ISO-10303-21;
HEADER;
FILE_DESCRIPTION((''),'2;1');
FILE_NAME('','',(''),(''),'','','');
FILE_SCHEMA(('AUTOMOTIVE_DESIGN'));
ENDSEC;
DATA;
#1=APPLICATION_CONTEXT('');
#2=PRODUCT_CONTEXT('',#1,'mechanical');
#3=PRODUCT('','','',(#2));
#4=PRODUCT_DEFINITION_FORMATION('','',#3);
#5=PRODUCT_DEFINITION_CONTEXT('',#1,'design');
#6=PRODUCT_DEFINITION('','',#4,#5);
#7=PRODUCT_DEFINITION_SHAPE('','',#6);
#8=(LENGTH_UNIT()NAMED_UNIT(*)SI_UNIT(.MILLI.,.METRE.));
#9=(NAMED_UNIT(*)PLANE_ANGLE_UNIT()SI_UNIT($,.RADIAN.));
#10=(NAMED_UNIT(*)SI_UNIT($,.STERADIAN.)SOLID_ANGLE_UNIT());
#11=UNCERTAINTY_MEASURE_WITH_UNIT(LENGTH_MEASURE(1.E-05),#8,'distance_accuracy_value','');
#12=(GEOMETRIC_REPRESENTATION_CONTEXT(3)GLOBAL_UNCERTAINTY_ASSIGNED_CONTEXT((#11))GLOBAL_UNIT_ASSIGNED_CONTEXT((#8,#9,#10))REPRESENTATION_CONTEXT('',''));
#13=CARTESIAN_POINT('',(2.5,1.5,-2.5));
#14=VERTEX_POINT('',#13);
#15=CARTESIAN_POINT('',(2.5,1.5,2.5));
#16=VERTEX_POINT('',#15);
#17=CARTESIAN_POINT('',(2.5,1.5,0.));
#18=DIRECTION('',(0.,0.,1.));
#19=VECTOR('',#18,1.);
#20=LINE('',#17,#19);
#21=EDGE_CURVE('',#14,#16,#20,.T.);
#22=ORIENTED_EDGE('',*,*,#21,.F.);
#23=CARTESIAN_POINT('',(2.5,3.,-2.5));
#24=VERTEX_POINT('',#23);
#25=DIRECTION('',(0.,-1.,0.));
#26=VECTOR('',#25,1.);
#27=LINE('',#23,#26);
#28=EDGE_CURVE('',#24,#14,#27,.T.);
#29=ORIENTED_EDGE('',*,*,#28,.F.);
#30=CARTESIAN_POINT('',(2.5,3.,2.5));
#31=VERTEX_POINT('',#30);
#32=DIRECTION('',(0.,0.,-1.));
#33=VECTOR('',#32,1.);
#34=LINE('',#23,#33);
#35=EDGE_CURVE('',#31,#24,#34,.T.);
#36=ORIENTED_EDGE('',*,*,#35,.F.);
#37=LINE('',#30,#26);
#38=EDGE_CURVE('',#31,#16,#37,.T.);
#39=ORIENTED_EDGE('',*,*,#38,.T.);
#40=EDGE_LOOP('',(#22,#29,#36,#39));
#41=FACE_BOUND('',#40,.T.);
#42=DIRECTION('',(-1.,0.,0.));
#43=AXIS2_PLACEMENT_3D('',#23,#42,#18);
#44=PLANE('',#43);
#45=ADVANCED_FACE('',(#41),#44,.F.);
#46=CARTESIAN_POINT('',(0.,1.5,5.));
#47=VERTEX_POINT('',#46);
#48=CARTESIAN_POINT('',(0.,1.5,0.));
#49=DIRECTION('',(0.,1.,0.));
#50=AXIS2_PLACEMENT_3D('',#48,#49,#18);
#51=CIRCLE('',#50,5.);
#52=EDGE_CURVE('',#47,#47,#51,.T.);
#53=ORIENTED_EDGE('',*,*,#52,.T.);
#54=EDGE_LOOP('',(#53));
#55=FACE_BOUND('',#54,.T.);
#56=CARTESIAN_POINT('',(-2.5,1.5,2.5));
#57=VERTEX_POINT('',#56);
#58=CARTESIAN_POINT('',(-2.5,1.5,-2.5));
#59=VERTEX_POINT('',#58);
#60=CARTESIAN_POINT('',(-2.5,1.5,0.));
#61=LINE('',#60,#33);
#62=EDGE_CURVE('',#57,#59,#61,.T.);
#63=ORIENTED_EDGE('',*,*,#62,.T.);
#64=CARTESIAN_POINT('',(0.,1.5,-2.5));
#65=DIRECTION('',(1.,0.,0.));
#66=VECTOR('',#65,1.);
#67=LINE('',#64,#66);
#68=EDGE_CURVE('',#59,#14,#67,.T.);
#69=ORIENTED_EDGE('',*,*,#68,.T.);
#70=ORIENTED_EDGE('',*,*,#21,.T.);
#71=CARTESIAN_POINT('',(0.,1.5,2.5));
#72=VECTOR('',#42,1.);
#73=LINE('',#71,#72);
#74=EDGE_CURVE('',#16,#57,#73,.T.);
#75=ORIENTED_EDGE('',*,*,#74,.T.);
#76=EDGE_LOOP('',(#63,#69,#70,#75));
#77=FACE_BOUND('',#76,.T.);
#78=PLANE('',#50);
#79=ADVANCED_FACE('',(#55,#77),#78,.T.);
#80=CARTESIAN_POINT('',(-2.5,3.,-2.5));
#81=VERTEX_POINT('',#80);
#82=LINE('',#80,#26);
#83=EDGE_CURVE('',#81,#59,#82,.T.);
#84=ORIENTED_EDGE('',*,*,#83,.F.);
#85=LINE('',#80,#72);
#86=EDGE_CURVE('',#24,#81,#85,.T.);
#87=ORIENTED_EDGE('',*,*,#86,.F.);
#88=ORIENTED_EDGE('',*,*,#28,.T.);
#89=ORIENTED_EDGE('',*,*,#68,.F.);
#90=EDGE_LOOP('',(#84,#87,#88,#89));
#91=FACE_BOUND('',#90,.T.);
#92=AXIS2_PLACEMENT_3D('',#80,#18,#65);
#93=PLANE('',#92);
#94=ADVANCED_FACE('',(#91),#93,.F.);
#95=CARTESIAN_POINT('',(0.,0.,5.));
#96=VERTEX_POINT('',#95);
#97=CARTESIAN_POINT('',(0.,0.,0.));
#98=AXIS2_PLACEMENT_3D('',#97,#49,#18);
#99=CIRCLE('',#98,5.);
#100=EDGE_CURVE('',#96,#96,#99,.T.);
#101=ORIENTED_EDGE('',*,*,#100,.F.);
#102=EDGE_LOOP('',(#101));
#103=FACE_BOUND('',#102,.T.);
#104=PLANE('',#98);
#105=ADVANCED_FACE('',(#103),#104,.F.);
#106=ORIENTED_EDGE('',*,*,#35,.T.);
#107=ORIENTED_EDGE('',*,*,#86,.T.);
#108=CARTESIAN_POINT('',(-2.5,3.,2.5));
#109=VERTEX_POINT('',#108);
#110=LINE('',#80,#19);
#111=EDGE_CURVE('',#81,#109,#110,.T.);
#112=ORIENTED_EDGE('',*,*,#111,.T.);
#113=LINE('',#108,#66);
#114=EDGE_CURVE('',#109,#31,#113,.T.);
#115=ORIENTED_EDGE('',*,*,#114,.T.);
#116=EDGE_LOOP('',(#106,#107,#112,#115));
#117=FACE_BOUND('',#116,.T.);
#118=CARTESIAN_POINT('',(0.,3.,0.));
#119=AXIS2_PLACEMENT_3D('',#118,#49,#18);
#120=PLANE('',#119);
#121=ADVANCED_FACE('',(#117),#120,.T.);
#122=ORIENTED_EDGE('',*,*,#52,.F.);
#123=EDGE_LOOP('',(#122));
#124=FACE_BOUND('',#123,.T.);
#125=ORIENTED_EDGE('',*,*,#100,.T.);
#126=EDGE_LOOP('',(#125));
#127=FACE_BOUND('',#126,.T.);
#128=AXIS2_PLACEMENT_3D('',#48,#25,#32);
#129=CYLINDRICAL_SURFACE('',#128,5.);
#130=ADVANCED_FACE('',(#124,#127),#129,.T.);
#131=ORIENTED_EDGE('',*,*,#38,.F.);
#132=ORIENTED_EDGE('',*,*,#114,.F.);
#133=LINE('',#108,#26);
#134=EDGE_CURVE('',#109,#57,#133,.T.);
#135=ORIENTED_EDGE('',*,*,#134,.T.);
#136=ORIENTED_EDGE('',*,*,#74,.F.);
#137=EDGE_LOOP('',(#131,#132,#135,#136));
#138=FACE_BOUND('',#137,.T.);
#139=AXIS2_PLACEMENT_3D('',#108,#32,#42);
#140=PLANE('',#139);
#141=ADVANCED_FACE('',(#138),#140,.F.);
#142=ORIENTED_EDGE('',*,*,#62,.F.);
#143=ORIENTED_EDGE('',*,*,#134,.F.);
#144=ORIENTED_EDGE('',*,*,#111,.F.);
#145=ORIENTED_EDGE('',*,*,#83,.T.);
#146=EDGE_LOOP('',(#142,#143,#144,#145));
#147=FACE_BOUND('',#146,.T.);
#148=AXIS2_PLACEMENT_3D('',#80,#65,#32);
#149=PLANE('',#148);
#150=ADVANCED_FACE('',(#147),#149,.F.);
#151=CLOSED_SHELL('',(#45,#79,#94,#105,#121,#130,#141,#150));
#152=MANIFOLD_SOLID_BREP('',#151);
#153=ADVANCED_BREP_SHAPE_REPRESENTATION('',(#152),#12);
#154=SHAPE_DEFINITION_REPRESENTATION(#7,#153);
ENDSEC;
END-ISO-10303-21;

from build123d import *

# Parameters (mm, degrees)
SKETCH_1_R      = 5
EXTRUDE_1_DEPTH = 1.5
SKETCH_2_W      = 5
SKETCH_2_H      = 5
EXTRUDE_2_DEPTH = 3


with BuildPart() as part:
    # Эскиз1 → Бобышка-Вытянуть1 (new body)
    with BuildSketch(Plane(origin=(0, 0, 0), x_dir=(1, 0, 0), z_dir=(0, 1, 0))):
        with Locations(Location((0, 0, 0), (0, 0, 270))):
            Circle(SKETCH_1_R)
    extrude(amount=EXTRUDE_1_DEPTH)

    # Эскиз2 → Бобышка-Вытянуть2 (add)
    with BuildSketch(Plane(origin=(0, 0, 0), x_dir=(1, 0, 0), z_dir=(0, 1, 0))):
        Rectangle(SKETCH_2_W, SKETCH_2_H)
    extrude(amount=EXTRUDE_2_DEPTH)


solid = part.part
